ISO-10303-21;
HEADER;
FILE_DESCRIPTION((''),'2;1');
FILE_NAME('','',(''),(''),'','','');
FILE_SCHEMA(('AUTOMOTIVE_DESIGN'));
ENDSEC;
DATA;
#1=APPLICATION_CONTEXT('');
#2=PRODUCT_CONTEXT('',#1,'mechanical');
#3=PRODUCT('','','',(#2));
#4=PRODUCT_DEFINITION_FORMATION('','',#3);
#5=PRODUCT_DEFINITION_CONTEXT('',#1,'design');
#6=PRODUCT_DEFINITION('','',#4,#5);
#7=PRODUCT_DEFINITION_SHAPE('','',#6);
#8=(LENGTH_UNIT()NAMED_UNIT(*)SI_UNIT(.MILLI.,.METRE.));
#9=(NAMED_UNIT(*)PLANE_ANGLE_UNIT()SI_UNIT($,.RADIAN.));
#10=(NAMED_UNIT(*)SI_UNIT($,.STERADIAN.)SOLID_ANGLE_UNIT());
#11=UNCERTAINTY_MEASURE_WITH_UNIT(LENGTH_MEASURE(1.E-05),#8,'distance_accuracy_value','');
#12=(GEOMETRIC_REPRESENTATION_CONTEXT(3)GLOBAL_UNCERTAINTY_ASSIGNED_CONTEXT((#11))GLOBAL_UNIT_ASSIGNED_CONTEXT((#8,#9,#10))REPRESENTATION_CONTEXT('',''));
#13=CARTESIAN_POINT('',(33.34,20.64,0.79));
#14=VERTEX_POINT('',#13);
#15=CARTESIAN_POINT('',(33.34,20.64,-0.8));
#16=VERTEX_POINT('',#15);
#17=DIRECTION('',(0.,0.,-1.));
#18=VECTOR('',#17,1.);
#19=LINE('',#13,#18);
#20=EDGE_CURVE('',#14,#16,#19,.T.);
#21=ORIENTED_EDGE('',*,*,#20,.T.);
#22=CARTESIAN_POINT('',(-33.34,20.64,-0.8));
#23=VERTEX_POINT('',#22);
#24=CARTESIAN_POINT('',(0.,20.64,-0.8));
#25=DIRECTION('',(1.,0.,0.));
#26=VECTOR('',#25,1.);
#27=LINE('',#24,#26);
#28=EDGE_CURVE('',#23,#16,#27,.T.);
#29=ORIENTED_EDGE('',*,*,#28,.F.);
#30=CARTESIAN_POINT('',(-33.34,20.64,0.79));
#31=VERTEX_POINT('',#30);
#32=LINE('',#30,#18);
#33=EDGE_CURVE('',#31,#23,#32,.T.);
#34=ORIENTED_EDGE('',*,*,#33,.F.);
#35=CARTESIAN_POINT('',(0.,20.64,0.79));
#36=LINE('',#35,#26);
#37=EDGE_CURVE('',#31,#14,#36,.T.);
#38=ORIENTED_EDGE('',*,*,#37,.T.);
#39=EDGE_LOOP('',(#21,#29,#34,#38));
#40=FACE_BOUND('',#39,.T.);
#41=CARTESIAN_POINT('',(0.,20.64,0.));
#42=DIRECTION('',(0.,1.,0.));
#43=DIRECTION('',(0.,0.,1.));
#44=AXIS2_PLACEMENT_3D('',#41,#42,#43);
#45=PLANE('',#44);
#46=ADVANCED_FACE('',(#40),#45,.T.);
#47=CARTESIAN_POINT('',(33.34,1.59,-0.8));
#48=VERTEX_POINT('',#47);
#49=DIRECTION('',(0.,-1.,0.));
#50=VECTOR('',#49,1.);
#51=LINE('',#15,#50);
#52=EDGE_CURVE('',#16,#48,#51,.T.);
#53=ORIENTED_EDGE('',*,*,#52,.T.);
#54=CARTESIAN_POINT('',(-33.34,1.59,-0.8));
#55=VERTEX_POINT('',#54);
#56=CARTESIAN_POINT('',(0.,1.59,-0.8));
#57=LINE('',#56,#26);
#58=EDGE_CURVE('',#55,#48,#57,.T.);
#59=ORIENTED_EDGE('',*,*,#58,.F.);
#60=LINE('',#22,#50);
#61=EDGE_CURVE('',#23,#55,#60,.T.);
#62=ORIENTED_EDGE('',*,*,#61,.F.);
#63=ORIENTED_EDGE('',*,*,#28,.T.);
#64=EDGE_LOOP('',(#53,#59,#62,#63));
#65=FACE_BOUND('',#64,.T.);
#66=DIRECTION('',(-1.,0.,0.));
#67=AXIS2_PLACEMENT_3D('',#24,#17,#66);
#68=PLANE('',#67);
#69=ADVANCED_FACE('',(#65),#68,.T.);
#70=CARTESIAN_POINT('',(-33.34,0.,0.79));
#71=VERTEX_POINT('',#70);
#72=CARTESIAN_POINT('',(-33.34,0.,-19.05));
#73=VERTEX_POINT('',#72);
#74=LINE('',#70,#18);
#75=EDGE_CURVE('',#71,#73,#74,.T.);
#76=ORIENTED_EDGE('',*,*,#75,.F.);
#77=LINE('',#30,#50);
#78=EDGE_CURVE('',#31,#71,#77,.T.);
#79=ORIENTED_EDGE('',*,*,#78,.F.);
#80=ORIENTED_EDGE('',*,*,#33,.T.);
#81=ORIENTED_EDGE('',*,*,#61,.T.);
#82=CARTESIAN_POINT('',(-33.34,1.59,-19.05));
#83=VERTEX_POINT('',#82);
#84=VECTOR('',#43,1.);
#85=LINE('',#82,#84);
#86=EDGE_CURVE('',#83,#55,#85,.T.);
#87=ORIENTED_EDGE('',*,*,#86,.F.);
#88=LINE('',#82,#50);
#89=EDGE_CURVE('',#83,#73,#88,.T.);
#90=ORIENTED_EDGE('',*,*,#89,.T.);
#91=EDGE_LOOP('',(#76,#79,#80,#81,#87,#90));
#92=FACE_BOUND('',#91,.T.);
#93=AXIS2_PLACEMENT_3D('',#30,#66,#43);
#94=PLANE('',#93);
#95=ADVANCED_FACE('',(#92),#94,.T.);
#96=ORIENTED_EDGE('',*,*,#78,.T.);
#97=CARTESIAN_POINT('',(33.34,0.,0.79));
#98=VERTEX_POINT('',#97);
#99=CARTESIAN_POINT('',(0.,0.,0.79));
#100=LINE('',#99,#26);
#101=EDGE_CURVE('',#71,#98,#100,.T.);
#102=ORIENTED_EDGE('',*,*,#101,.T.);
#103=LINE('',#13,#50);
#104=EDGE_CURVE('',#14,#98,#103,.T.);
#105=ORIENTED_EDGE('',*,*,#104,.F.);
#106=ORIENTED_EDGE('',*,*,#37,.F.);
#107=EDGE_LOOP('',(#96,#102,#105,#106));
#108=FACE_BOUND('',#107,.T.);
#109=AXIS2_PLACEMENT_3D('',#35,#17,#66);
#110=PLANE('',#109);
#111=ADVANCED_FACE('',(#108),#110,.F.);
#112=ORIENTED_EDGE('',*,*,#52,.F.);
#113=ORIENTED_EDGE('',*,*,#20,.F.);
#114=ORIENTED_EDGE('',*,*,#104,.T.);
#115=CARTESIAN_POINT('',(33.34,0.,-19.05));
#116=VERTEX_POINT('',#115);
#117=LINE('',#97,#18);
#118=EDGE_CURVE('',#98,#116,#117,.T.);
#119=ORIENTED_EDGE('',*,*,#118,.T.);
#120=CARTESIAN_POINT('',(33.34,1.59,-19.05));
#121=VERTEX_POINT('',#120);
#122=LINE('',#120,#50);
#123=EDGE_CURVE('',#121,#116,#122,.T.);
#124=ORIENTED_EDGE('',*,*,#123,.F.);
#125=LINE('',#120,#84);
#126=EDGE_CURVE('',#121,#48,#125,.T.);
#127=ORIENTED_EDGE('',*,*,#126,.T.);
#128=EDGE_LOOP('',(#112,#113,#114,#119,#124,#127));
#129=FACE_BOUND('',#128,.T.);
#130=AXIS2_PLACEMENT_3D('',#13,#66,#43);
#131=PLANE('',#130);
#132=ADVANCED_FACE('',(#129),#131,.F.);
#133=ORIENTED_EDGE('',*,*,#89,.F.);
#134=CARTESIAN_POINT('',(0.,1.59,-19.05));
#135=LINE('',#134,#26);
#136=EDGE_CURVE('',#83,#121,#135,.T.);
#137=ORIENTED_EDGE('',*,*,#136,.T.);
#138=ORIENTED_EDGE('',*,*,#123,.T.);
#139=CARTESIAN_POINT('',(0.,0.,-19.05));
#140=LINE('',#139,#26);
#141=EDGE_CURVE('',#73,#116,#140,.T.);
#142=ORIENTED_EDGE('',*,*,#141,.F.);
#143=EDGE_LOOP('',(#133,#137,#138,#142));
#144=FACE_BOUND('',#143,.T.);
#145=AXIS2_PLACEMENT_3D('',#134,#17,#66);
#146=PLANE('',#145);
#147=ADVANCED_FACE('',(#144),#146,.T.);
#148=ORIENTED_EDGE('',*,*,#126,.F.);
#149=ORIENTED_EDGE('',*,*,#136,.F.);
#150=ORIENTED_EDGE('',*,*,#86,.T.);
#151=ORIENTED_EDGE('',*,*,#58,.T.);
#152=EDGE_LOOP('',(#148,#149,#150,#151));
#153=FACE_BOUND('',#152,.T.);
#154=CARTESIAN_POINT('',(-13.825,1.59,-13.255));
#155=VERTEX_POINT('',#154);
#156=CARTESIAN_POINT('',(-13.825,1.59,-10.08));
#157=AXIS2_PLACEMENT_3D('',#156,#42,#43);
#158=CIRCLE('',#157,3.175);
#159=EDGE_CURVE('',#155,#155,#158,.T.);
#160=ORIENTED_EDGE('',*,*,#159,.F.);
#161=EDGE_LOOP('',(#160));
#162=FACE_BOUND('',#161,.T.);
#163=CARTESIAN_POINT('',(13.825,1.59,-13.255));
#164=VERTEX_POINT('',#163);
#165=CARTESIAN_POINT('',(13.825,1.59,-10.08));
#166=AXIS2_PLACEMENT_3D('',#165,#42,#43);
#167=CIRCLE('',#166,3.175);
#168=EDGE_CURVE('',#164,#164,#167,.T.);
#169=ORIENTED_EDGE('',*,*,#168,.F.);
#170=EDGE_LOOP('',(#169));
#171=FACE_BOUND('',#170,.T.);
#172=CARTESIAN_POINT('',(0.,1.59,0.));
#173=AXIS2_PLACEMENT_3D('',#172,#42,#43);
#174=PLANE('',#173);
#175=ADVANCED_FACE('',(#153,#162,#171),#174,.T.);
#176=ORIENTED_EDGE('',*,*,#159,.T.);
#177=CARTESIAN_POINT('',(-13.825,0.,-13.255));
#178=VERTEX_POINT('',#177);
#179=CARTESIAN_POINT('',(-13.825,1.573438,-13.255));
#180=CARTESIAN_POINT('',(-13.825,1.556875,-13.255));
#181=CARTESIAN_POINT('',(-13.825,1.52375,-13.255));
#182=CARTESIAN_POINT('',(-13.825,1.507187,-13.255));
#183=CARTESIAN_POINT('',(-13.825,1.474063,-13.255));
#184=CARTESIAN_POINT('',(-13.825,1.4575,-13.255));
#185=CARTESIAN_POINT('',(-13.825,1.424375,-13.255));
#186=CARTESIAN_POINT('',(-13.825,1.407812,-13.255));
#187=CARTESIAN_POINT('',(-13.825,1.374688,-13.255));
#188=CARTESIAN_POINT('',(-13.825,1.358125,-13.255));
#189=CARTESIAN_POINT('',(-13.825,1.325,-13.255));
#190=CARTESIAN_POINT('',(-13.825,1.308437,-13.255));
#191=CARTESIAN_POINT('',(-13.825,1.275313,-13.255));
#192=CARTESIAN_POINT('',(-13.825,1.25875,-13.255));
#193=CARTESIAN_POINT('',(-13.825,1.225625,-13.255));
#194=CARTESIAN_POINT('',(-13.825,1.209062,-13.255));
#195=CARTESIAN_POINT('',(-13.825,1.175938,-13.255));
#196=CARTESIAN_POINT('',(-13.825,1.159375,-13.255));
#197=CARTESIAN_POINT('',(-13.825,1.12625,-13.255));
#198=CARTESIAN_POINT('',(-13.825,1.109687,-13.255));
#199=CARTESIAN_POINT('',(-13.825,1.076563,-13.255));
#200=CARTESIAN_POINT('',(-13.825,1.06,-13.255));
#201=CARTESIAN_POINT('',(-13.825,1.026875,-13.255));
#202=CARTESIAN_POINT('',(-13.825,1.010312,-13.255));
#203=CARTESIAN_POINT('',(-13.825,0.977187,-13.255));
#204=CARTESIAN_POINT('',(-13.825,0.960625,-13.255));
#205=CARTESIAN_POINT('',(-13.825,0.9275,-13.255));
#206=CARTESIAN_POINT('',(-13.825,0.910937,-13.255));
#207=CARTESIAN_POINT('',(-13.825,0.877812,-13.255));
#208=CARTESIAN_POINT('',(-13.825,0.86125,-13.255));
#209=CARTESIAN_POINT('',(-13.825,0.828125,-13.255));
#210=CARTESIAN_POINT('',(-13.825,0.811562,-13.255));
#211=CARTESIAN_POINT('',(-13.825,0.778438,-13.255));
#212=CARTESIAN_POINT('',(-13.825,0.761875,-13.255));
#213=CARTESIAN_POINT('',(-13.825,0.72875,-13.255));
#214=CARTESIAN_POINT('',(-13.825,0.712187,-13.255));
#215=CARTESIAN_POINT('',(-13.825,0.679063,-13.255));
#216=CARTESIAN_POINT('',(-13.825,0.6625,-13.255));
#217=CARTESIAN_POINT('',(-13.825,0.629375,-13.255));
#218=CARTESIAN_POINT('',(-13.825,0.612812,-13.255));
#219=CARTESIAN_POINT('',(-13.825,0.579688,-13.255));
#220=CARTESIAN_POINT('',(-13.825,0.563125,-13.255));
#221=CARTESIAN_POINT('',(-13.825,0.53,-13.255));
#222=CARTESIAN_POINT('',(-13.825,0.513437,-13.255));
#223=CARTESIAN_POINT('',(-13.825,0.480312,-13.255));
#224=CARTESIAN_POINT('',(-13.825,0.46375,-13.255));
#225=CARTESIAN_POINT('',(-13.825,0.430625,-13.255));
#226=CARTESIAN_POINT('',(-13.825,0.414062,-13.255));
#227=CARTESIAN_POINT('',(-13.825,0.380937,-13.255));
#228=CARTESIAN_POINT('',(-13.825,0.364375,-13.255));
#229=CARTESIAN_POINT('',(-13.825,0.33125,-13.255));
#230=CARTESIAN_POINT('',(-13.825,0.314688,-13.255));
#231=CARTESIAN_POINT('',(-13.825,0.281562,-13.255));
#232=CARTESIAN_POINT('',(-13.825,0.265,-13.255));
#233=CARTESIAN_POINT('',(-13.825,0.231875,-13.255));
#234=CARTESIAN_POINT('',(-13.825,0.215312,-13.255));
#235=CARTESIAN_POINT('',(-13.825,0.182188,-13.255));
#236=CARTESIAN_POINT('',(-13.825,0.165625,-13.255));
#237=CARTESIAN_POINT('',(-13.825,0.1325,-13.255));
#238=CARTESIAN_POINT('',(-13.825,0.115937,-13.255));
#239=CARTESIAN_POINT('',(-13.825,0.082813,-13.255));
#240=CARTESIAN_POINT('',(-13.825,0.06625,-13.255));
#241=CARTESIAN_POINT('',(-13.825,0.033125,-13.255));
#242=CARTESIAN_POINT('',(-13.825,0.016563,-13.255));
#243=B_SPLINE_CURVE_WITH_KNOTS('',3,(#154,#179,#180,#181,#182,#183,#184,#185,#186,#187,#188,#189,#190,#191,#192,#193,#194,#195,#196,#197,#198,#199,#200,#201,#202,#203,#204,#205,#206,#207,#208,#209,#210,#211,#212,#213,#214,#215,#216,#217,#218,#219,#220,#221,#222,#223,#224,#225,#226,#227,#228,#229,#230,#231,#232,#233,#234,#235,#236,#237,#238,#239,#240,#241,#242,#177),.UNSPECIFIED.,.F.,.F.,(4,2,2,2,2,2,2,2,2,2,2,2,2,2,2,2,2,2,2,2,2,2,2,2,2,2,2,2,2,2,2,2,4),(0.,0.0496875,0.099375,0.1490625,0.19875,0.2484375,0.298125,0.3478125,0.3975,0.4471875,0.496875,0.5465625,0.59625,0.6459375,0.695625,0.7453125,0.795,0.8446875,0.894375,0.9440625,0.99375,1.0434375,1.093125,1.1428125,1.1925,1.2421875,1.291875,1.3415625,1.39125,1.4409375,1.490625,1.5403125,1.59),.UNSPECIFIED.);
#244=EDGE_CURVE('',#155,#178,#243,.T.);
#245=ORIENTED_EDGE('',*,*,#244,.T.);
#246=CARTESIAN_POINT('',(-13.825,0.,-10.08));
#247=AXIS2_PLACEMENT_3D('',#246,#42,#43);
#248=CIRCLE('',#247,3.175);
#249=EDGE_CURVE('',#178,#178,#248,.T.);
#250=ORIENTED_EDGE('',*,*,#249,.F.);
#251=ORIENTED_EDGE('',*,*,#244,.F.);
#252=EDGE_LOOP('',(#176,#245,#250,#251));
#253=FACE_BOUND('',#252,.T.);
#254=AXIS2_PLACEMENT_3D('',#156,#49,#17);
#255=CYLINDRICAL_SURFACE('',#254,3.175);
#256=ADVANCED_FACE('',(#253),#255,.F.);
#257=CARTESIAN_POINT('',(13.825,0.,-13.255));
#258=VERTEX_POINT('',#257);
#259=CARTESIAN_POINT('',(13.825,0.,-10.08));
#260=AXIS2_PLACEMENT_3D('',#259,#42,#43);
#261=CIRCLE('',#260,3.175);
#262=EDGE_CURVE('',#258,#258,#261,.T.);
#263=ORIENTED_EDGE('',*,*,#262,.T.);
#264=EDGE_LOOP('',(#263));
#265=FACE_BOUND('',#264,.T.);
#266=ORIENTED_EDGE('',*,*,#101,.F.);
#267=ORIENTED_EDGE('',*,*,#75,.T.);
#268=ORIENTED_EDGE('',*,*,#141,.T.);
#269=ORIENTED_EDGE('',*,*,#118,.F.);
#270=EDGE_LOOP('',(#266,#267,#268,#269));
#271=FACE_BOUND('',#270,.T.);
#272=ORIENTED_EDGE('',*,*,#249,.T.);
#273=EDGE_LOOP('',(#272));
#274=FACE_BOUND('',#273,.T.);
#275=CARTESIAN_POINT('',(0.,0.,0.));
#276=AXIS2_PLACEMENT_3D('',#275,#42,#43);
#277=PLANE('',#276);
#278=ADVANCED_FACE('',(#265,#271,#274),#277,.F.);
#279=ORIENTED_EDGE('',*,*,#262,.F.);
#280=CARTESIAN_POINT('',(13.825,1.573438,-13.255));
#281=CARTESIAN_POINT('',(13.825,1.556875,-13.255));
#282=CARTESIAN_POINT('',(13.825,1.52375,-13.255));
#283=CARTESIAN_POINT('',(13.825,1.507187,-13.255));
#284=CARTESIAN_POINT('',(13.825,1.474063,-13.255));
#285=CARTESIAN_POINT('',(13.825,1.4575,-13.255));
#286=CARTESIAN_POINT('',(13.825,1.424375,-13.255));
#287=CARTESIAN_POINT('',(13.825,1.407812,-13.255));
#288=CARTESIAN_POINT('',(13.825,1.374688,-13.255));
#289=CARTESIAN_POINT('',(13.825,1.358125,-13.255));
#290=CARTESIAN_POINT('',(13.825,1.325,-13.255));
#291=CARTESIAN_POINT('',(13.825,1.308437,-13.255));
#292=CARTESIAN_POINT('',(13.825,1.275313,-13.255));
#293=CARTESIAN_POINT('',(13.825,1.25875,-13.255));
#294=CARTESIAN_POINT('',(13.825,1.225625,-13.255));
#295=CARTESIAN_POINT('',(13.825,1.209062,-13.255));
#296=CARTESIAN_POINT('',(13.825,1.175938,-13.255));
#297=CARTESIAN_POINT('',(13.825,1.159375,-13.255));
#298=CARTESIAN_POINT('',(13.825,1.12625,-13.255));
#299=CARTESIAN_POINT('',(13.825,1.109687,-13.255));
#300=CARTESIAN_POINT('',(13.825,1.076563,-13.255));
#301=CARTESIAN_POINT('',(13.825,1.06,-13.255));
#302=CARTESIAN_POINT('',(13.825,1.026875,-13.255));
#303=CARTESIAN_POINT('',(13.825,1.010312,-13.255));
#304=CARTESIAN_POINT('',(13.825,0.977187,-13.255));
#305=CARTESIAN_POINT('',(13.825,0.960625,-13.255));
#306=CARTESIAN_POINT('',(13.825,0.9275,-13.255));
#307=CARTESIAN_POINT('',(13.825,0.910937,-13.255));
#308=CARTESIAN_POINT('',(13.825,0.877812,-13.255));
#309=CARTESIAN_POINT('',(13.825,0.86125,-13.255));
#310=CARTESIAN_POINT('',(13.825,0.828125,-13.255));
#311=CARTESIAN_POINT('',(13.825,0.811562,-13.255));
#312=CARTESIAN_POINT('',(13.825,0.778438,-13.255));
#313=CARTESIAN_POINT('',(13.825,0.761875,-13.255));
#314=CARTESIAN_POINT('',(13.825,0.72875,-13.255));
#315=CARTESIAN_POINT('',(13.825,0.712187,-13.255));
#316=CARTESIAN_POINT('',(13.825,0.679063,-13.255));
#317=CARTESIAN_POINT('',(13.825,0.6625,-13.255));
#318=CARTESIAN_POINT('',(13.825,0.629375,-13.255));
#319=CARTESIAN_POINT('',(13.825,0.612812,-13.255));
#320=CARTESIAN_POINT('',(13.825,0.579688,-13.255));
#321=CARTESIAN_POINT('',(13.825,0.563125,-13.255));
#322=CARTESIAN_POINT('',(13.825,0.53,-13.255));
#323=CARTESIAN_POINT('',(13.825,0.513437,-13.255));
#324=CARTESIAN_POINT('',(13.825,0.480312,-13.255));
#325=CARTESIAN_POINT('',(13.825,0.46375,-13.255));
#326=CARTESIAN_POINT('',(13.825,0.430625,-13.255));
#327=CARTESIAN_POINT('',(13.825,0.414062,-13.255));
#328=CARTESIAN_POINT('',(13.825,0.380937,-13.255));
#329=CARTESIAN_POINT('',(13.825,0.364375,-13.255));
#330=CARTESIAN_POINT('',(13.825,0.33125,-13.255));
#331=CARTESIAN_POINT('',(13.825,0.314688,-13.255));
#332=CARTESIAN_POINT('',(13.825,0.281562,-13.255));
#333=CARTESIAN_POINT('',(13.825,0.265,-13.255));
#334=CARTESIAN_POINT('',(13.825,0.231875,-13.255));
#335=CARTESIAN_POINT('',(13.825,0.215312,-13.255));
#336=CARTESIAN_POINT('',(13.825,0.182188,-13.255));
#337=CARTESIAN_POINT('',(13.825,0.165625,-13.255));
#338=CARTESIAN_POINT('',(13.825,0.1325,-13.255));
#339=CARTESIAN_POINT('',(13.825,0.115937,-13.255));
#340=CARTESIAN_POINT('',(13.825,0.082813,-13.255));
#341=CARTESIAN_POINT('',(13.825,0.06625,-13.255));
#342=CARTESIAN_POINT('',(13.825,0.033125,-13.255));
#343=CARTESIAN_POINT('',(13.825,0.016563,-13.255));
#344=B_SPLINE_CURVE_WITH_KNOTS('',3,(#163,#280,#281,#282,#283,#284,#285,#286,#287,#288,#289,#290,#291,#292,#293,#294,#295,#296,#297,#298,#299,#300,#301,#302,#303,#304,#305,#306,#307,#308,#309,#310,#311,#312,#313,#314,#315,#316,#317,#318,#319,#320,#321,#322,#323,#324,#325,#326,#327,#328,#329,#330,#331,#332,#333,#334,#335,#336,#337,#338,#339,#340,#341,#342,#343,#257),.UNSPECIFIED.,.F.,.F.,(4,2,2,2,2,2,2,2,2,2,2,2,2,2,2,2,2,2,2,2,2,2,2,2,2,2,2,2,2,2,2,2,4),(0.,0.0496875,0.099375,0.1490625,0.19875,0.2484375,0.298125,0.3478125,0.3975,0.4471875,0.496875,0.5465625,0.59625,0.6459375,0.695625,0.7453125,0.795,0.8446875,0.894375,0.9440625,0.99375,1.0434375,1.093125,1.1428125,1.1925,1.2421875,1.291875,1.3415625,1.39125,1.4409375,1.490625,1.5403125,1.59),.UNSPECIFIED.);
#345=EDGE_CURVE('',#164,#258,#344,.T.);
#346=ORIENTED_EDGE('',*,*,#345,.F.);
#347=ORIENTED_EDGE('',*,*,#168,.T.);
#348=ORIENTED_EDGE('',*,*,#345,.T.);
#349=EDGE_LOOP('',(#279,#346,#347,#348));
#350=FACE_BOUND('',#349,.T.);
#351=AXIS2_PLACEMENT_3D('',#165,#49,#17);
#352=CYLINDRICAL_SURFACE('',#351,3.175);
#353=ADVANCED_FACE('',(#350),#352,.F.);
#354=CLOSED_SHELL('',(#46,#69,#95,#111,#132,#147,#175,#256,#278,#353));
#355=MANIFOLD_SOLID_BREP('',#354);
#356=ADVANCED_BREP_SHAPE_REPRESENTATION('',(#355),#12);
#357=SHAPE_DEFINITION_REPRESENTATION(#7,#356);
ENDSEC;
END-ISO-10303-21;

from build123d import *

# Parameters (mm, degrees)
SKETCH1_W           = 66.68
SKETCH1_H           = 1.59
BOSS_EXTRUDE1_DEPTH = 20.64
SKETCH1_3_W         = 66.68
SKETCH1_3_H         = 19.84
SKETCH1_3_R         = 3.175
BOSS_EXTRUDE2_DEPTH = 1.59


with BuildPart() as part:
    # Sketch1 → Boss-Extrude1 (new body)
    with BuildSketch(Plane(origin=(0, 0, 0), x_dir=(1, 0, 0), z_dir=(0, 1, 0))):
        with Locations((0, 0.005)):
            Rectangle(SKETCH1_W, SKETCH1_H)
    extrude(amount=BOSS_EXTRUDE1_DEPTH)

    # Sketch1<3> → Boss-Extrude2 (add)
    with BuildSketch(Plane(origin=(0, 0, 0), x_dir=(1, 0, 0), z_dir=(0, 1, 0))):
        with Locations((0, 9.13)):
            Rectangle(SKETCH1_3_W, SKETCH1_3_H)
        with Locations((13.825, 10.08)):
            Circle(SKETCH1_3_R, mode=Mode.SUBTRACT)
        with Locations((-13.825, 10.08)):
            Circle(SKETCH1_3_R, mode=Mode.SUBTRACT)
    extrude(amount=BOSS_EXTRUDE2_DEPTH)


solid = part.part
